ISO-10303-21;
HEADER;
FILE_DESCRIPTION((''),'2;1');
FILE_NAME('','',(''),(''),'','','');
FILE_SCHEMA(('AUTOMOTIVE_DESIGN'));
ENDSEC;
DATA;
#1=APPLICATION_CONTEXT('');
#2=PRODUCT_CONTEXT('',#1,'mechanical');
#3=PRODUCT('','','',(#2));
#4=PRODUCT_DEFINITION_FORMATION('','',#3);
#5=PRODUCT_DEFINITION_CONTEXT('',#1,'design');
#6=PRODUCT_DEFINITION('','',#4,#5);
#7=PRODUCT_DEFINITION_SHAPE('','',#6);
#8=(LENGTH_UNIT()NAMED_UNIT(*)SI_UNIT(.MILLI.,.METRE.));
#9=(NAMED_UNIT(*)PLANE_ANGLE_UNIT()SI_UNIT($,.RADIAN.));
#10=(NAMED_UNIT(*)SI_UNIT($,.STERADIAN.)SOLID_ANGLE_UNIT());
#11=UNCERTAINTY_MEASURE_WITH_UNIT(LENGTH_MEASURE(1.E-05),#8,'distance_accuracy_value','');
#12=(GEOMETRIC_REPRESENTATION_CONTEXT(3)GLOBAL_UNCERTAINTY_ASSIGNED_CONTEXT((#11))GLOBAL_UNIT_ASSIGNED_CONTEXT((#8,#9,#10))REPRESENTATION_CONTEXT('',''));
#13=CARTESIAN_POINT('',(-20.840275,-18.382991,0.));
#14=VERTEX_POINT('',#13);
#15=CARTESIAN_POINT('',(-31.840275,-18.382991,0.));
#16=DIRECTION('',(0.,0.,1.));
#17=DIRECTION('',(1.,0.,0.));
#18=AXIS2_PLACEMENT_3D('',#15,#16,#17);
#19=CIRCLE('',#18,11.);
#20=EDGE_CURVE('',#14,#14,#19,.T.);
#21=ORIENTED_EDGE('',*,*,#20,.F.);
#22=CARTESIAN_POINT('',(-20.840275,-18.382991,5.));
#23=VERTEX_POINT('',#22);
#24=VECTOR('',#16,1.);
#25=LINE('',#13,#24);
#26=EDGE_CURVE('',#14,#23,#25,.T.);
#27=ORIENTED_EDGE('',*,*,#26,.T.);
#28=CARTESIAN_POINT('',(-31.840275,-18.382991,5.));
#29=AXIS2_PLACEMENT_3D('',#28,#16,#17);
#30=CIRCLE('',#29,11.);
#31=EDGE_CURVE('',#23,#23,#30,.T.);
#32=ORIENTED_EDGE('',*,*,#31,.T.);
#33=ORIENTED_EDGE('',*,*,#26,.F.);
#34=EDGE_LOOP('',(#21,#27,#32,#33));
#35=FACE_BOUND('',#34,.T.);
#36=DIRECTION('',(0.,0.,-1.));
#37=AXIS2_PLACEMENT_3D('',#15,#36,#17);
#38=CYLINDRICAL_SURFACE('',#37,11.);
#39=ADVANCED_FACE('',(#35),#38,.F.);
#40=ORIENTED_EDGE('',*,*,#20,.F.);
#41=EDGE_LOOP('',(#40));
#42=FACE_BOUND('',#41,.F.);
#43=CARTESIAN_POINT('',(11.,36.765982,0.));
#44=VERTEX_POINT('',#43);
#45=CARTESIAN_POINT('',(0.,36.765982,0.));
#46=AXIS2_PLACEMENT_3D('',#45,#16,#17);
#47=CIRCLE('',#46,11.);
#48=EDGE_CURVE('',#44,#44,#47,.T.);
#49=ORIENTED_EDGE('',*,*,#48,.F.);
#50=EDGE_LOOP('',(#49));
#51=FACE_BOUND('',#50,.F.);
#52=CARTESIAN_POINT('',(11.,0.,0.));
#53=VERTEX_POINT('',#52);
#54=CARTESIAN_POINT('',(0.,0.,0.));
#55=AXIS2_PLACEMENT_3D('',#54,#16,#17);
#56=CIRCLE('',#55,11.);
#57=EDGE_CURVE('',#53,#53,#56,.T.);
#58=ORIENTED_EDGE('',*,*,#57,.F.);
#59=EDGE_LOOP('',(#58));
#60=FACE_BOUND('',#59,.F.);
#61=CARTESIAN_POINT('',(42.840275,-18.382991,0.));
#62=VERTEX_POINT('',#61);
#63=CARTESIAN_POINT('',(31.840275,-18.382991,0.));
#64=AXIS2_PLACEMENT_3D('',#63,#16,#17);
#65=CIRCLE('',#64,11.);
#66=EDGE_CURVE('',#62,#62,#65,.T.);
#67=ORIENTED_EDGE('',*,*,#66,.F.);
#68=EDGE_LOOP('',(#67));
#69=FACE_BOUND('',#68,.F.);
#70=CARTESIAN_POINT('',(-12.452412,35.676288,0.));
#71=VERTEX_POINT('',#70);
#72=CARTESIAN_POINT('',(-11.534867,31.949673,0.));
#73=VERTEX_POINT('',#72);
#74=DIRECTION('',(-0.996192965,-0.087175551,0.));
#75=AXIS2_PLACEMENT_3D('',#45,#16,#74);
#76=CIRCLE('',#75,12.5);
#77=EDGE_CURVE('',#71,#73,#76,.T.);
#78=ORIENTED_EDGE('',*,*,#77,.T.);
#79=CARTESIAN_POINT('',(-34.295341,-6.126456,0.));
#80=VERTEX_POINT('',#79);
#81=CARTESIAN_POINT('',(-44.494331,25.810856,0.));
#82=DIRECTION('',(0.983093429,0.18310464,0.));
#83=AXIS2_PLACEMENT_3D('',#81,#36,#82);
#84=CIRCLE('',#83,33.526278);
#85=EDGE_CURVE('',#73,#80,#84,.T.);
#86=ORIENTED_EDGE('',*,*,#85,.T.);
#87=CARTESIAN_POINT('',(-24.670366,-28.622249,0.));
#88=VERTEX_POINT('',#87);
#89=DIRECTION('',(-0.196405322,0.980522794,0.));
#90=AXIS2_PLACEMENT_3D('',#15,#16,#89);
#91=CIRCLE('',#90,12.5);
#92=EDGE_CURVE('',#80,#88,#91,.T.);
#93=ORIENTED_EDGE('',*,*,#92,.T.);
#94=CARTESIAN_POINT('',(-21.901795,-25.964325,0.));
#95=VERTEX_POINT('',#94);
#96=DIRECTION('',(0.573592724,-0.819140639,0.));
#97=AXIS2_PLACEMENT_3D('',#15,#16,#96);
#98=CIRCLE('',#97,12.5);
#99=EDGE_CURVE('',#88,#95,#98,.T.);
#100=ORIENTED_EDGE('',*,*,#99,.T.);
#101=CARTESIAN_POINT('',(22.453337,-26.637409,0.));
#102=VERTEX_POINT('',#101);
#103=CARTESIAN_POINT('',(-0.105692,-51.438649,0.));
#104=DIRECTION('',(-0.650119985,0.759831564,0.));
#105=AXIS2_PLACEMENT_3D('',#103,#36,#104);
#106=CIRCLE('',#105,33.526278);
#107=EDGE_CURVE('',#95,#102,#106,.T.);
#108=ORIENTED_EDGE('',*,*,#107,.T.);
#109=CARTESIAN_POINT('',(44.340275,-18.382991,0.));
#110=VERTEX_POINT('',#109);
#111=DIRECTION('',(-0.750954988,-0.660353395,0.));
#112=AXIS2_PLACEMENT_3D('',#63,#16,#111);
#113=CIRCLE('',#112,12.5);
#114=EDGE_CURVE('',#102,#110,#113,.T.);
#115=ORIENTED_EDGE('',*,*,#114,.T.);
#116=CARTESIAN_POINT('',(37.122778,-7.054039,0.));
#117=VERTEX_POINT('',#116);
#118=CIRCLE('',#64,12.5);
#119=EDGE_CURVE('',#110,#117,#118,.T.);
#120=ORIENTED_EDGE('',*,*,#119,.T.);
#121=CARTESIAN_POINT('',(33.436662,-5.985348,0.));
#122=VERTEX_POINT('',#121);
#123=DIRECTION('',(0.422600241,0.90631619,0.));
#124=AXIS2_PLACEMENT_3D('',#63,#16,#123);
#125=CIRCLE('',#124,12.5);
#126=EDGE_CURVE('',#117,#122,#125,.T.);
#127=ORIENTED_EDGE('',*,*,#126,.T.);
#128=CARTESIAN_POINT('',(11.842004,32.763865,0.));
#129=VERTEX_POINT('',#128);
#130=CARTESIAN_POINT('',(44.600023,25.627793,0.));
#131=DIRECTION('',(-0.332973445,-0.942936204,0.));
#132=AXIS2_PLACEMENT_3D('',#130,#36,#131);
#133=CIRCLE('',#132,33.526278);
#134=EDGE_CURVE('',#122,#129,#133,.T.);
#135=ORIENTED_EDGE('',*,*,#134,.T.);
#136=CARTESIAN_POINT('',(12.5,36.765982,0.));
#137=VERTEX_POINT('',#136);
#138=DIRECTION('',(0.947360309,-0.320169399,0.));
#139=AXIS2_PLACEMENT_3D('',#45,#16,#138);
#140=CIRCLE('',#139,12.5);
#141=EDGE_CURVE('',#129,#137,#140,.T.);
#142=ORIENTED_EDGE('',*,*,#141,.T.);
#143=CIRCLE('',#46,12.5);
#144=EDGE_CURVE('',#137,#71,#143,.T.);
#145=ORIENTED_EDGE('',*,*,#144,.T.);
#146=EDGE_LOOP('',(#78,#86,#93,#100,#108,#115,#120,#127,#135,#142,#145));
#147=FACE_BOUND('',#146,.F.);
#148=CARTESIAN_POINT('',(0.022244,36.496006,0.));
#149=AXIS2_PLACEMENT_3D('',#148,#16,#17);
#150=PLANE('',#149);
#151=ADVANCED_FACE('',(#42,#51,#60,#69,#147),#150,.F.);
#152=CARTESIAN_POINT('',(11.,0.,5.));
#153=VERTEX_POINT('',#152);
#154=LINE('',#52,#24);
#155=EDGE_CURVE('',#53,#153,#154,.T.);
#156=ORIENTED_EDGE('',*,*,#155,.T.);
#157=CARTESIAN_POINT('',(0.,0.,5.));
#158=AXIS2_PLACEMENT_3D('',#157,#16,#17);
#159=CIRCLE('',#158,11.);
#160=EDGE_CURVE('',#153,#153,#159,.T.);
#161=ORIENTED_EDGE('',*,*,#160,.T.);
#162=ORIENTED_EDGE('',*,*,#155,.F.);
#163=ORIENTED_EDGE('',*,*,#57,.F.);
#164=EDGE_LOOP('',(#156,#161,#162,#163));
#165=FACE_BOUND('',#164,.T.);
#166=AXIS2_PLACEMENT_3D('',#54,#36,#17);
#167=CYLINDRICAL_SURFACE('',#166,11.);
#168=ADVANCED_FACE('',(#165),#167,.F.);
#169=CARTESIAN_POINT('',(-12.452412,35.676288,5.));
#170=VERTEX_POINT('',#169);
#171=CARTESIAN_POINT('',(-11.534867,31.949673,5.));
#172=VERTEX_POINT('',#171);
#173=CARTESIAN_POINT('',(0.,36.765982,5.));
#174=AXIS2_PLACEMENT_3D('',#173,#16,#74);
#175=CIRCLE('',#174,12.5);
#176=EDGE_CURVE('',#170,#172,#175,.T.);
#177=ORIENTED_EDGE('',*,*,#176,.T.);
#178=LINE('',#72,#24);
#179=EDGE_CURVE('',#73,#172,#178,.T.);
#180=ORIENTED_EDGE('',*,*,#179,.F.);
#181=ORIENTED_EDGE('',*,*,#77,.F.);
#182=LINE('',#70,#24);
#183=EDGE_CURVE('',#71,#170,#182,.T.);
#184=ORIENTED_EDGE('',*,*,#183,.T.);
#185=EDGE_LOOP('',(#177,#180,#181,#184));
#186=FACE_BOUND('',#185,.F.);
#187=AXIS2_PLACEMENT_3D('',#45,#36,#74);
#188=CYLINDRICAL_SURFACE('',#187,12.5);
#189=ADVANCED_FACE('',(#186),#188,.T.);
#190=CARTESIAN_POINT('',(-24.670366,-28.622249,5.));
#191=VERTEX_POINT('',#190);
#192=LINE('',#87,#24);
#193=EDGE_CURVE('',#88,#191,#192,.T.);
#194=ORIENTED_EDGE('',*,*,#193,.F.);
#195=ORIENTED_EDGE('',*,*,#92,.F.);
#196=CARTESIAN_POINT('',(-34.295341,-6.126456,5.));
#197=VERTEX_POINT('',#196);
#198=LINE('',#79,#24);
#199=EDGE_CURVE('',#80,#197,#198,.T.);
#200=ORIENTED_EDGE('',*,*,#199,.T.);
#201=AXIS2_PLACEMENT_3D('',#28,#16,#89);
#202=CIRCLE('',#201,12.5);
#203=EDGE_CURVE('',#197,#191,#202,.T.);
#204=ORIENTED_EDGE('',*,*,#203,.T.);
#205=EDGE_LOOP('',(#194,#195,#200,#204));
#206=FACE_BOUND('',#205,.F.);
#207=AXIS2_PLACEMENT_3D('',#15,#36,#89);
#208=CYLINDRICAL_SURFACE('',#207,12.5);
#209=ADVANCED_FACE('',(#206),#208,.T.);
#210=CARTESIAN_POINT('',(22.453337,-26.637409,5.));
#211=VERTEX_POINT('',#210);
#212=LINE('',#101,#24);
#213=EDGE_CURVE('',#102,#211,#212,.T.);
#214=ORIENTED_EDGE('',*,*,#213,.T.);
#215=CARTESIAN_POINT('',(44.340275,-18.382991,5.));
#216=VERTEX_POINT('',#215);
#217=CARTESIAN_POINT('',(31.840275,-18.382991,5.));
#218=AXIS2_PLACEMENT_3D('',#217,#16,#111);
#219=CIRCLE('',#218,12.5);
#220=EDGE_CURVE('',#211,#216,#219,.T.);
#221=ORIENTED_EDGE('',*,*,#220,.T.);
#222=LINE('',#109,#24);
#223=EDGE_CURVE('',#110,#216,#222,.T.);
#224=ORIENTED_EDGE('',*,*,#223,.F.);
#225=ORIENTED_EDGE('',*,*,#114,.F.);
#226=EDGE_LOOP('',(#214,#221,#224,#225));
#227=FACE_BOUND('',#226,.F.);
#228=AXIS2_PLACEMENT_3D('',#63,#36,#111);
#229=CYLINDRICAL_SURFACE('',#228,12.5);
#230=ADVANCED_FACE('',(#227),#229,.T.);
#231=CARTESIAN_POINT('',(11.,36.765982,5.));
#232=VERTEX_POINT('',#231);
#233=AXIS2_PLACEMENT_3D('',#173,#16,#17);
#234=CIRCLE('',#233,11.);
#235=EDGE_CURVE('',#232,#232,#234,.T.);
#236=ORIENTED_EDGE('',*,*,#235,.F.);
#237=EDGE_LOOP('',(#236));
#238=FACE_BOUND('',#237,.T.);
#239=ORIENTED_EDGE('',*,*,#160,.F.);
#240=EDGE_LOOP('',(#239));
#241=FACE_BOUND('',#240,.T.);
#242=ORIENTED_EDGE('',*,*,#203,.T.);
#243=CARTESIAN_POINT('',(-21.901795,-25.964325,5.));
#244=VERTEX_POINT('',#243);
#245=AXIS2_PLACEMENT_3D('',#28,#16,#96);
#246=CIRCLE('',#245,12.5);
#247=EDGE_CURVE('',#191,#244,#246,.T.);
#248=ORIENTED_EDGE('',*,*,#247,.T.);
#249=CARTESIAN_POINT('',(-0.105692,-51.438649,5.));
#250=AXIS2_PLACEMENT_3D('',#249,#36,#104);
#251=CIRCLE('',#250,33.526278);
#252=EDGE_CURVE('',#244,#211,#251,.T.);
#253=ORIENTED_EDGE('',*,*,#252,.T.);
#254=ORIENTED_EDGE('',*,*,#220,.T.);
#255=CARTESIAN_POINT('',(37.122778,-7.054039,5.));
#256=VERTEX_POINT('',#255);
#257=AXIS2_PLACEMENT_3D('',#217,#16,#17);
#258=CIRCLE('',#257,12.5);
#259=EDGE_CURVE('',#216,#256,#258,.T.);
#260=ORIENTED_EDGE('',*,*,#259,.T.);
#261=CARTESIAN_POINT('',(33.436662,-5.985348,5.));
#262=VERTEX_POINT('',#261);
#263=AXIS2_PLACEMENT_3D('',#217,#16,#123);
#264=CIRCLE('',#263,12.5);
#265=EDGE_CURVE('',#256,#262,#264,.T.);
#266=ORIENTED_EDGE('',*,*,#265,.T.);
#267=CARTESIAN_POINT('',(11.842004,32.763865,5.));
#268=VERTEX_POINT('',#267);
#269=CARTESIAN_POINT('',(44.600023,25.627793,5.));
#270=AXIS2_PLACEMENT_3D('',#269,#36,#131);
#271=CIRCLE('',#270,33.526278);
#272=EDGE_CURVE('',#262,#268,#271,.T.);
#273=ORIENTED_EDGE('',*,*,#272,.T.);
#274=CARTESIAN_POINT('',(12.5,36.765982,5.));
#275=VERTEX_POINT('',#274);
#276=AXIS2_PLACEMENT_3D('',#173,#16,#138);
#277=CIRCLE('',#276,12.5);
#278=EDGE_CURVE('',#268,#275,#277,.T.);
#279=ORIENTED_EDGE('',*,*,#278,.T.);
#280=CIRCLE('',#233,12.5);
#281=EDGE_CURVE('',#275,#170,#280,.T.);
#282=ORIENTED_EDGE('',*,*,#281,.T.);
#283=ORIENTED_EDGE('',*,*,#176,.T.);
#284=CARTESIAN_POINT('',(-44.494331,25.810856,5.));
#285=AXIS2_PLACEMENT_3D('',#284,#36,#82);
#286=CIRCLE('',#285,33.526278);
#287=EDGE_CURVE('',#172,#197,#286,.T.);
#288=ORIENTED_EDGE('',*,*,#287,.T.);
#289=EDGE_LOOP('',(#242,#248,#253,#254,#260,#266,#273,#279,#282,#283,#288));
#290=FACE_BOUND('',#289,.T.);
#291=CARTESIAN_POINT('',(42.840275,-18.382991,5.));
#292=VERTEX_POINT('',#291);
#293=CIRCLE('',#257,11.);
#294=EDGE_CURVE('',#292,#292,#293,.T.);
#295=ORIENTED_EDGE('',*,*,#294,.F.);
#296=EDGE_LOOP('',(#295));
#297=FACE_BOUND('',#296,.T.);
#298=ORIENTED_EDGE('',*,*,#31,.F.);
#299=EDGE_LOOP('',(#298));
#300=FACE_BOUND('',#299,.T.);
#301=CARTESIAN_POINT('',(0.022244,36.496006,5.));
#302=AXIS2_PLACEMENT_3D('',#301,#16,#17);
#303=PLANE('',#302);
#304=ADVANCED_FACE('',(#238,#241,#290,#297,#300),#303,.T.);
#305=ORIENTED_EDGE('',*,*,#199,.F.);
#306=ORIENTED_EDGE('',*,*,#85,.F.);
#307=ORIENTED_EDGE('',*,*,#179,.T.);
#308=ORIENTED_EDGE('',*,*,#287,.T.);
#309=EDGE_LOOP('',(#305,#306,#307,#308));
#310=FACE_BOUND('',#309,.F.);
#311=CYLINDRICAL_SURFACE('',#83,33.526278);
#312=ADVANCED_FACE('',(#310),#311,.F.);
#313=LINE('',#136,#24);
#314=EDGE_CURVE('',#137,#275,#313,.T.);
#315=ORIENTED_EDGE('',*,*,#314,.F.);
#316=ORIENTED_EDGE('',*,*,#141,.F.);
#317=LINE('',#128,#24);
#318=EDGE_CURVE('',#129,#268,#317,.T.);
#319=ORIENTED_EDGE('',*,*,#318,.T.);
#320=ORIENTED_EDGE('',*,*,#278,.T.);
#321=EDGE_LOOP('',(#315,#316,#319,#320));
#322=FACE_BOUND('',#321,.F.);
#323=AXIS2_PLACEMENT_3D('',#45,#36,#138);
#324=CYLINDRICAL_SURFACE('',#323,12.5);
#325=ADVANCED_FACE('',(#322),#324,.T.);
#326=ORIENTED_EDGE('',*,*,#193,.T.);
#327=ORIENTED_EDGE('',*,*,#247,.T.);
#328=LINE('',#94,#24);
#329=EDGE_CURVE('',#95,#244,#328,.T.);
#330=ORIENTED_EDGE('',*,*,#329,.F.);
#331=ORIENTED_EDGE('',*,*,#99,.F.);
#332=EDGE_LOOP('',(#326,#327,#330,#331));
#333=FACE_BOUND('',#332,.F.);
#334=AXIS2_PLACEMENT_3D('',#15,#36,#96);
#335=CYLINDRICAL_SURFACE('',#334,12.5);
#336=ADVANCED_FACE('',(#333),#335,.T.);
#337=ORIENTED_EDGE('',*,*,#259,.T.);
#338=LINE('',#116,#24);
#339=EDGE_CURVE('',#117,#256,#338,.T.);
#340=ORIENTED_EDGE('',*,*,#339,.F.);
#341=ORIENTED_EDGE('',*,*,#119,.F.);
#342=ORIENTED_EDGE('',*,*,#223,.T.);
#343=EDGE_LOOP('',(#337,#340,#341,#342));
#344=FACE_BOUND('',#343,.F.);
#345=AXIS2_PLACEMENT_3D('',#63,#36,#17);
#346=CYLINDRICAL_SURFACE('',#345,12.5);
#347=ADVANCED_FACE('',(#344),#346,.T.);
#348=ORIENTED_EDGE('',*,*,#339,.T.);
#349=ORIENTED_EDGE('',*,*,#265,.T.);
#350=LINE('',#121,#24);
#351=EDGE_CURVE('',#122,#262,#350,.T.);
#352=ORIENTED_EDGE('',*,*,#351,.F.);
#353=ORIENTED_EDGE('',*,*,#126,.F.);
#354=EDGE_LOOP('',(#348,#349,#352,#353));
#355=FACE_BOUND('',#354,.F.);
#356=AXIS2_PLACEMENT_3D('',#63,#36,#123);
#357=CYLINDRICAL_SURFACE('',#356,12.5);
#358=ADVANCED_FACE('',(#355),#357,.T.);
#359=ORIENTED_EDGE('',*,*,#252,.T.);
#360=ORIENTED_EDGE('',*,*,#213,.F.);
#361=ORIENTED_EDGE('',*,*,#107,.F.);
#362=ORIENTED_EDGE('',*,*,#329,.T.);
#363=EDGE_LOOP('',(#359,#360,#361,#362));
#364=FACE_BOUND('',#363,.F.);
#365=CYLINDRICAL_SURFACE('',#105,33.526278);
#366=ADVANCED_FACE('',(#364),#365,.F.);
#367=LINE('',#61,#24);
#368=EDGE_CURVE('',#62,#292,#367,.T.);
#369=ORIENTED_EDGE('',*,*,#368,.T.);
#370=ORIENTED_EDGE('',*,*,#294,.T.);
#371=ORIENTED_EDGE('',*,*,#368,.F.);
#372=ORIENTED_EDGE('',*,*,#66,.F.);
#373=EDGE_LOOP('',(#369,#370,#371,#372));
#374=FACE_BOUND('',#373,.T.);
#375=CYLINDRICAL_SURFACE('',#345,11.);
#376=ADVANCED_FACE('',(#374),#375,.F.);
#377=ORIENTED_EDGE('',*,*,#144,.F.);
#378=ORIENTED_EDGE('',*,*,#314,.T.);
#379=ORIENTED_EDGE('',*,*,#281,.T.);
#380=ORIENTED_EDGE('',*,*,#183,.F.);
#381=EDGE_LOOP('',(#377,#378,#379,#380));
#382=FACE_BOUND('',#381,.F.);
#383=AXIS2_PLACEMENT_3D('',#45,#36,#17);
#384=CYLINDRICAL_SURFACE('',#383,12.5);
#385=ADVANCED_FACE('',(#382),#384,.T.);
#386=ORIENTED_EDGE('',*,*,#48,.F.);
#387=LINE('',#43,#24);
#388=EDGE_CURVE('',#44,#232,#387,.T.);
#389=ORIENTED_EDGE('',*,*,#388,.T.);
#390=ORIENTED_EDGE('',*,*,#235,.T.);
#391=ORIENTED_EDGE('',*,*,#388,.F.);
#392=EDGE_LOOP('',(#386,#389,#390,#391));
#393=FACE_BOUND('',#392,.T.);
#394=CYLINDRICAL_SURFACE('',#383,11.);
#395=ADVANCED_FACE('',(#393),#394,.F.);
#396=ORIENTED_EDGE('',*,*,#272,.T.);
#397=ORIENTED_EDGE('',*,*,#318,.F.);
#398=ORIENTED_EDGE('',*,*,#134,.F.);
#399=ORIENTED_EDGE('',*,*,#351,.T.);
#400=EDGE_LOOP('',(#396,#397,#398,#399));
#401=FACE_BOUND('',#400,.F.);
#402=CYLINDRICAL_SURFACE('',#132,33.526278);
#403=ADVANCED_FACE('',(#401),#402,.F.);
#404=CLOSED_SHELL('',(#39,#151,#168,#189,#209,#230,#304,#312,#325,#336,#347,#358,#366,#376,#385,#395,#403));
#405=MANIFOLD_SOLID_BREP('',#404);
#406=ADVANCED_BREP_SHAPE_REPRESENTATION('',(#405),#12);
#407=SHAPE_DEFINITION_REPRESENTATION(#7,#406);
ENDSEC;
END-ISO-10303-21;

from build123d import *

# Parameters (mm, degrees)
F0_R     = 11
F1_DEPTH = 5


with BuildPart() as f1:
    # F0 (on Top) → F1 (new body)
    with BuildSketch(Plane.XY):
        with BuildLine():
            ThreePointArc((11.8420038681, 32.7638646996), (12.3344040868, 34.7380581693), (12.5, 36.7659821877))
            ThreePointArc((12.5, 36.7659821877), (-0.5453664976, 49.2540795361), (-12.4524120613, 35.6762878018))
            ThreePointArc((-12.4524120613, 35.6762878018), (-11.9402706418, 33.8261206815), (-11.5348674443, 31.9496731192))
            ThreePointArc((-11.5348674443, 31.9496731192), (0.4350978948, 24.2735568899), (11.8420038681, 32.7638646996))
        make_face()
        with Locations((0, 36.7659821877)):
            Circle(F0_R, mode=Mode.SUBTRACT)
        with BuildLine():
            ThreePointArc((-11.5348674443, 31.9496731192), (-11.9402706418, 33.8261206815), (-12.4524120613, 35.6762878018))
            ThreePointArc((-12.4524120613, 35.6762878018), (-12.1375165816, 33.7775559745), (-11.5348674443, 31.9496731192))
        make_face()
        with BuildLine():
            ThreePointArc((33.436662286, -5.9853483236), (15.3144073066, 9.3071296076), (11.8420038681, 32.7638646996))
            ThreePointArc((11.8420038681, 32.7638646996), (0.4350978948, 24.2735568899), (-11.5348674443, 31.9496731192))
            ThreePointArc((-11.5348674443, 31.9496731192), (-15.7174143299, 8.6091009676), (-34.29534109, -6.1264561683))
            ThreePointArc((-34.29534109, -6.1264561683), (-23.9168388094, -8.7150458234), (-19.3402745697, -18.3829910939))
            ThreePointArc((-19.3402745697, -18.3829910939), (-19.9979564562, -22.3841786301), (-21.9017948417, -25.9643247956))
            ThreePointArc((-21.9017948417, -25.9643247956), (0.4030070232, -17.9162305753), (22.453337222, -26.6374085313))
            ThreePointArc((22.453337222, -26.6374085313), (20.8039679594, -12.513584275), (33.436662286, -5.9853483236))
        make_face()
        Circle(F0_R, mode=Mode.SUBTRACT)
        with BuildLine():
            ThreePointArc((37.1227775797, -7.0540387174), (35.2644151426, -6.5724826369), (33.436662286, -5.9853483236))
            ThreePointArc((33.436662286, -5.9853483236), (20.8039679594, -12.513584275), (22.453337222, -26.6374085313))
            ThreePointArc((22.453337222, -26.6374085313), (36.2512428961, -30.0788603828), (44.3402745697, -18.3829910939))
            ThreePointArc((44.3402745697, -18.3829910939), (42.3826008695, -11.6666411784), (37.1227775797, -7.0540387174))
        make_face()
        with Locations((31.8402745697, -18.3829910939)):
            Circle(F0_R, mode=Mode.SUBTRACT)
        with BuildLine():
            ThreePointArc((37.1227775797, -7.0540387174), (35.3209798424, -6.3773802887), (33.436662286, -5.9853483236))
            ThreePointArc((33.436662286, -5.9853483236), (35.2644151426, -6.5724826369), (37.1227775797, -7.0540387174))
        make_face()
        with BuildLine():
            ThreePointArc((-19.3402745697, -18.3829910939), (-23.9168388094, -8.7150458234), (-34.29534109, -6.1264561683))
            ThreePointArc((-34.29534109, -6.1264561683), (-43.3325593622, -23.3000420644), (-24.6703655184, -28.6222490844))
            ThreePointArc((-24.6703655184, -28.6222490844), (-23.3241445007, -27.2536380446), (-21.9017948417, -25.9643247956))
            ThreePointArc((-21.9017948417, -25.9643247956), (-19.9979564562, -22.3841786301), (-19.3402745697, -18.3829910939))
        make_face()
        with Locations((-31.8402745697, -18.3829910939)):
            Circle(F0_R, mode=Mode.SUBTRACT)
        with BuildLine():
            ThreePointArc((-21.9017948417, -25.9643247956), (-23.3241445007, -27.2536380446), (-24.6703655184, -28.6222490844))
            ThreePointArc((-24.6703655184, -28.6222490844), (-23.1834632609, -27.4001756857), (-21.9017948417, -25.9643247956))
        make_face()
    extrude(amount=F1_DEPTH)


solid = f1.part
